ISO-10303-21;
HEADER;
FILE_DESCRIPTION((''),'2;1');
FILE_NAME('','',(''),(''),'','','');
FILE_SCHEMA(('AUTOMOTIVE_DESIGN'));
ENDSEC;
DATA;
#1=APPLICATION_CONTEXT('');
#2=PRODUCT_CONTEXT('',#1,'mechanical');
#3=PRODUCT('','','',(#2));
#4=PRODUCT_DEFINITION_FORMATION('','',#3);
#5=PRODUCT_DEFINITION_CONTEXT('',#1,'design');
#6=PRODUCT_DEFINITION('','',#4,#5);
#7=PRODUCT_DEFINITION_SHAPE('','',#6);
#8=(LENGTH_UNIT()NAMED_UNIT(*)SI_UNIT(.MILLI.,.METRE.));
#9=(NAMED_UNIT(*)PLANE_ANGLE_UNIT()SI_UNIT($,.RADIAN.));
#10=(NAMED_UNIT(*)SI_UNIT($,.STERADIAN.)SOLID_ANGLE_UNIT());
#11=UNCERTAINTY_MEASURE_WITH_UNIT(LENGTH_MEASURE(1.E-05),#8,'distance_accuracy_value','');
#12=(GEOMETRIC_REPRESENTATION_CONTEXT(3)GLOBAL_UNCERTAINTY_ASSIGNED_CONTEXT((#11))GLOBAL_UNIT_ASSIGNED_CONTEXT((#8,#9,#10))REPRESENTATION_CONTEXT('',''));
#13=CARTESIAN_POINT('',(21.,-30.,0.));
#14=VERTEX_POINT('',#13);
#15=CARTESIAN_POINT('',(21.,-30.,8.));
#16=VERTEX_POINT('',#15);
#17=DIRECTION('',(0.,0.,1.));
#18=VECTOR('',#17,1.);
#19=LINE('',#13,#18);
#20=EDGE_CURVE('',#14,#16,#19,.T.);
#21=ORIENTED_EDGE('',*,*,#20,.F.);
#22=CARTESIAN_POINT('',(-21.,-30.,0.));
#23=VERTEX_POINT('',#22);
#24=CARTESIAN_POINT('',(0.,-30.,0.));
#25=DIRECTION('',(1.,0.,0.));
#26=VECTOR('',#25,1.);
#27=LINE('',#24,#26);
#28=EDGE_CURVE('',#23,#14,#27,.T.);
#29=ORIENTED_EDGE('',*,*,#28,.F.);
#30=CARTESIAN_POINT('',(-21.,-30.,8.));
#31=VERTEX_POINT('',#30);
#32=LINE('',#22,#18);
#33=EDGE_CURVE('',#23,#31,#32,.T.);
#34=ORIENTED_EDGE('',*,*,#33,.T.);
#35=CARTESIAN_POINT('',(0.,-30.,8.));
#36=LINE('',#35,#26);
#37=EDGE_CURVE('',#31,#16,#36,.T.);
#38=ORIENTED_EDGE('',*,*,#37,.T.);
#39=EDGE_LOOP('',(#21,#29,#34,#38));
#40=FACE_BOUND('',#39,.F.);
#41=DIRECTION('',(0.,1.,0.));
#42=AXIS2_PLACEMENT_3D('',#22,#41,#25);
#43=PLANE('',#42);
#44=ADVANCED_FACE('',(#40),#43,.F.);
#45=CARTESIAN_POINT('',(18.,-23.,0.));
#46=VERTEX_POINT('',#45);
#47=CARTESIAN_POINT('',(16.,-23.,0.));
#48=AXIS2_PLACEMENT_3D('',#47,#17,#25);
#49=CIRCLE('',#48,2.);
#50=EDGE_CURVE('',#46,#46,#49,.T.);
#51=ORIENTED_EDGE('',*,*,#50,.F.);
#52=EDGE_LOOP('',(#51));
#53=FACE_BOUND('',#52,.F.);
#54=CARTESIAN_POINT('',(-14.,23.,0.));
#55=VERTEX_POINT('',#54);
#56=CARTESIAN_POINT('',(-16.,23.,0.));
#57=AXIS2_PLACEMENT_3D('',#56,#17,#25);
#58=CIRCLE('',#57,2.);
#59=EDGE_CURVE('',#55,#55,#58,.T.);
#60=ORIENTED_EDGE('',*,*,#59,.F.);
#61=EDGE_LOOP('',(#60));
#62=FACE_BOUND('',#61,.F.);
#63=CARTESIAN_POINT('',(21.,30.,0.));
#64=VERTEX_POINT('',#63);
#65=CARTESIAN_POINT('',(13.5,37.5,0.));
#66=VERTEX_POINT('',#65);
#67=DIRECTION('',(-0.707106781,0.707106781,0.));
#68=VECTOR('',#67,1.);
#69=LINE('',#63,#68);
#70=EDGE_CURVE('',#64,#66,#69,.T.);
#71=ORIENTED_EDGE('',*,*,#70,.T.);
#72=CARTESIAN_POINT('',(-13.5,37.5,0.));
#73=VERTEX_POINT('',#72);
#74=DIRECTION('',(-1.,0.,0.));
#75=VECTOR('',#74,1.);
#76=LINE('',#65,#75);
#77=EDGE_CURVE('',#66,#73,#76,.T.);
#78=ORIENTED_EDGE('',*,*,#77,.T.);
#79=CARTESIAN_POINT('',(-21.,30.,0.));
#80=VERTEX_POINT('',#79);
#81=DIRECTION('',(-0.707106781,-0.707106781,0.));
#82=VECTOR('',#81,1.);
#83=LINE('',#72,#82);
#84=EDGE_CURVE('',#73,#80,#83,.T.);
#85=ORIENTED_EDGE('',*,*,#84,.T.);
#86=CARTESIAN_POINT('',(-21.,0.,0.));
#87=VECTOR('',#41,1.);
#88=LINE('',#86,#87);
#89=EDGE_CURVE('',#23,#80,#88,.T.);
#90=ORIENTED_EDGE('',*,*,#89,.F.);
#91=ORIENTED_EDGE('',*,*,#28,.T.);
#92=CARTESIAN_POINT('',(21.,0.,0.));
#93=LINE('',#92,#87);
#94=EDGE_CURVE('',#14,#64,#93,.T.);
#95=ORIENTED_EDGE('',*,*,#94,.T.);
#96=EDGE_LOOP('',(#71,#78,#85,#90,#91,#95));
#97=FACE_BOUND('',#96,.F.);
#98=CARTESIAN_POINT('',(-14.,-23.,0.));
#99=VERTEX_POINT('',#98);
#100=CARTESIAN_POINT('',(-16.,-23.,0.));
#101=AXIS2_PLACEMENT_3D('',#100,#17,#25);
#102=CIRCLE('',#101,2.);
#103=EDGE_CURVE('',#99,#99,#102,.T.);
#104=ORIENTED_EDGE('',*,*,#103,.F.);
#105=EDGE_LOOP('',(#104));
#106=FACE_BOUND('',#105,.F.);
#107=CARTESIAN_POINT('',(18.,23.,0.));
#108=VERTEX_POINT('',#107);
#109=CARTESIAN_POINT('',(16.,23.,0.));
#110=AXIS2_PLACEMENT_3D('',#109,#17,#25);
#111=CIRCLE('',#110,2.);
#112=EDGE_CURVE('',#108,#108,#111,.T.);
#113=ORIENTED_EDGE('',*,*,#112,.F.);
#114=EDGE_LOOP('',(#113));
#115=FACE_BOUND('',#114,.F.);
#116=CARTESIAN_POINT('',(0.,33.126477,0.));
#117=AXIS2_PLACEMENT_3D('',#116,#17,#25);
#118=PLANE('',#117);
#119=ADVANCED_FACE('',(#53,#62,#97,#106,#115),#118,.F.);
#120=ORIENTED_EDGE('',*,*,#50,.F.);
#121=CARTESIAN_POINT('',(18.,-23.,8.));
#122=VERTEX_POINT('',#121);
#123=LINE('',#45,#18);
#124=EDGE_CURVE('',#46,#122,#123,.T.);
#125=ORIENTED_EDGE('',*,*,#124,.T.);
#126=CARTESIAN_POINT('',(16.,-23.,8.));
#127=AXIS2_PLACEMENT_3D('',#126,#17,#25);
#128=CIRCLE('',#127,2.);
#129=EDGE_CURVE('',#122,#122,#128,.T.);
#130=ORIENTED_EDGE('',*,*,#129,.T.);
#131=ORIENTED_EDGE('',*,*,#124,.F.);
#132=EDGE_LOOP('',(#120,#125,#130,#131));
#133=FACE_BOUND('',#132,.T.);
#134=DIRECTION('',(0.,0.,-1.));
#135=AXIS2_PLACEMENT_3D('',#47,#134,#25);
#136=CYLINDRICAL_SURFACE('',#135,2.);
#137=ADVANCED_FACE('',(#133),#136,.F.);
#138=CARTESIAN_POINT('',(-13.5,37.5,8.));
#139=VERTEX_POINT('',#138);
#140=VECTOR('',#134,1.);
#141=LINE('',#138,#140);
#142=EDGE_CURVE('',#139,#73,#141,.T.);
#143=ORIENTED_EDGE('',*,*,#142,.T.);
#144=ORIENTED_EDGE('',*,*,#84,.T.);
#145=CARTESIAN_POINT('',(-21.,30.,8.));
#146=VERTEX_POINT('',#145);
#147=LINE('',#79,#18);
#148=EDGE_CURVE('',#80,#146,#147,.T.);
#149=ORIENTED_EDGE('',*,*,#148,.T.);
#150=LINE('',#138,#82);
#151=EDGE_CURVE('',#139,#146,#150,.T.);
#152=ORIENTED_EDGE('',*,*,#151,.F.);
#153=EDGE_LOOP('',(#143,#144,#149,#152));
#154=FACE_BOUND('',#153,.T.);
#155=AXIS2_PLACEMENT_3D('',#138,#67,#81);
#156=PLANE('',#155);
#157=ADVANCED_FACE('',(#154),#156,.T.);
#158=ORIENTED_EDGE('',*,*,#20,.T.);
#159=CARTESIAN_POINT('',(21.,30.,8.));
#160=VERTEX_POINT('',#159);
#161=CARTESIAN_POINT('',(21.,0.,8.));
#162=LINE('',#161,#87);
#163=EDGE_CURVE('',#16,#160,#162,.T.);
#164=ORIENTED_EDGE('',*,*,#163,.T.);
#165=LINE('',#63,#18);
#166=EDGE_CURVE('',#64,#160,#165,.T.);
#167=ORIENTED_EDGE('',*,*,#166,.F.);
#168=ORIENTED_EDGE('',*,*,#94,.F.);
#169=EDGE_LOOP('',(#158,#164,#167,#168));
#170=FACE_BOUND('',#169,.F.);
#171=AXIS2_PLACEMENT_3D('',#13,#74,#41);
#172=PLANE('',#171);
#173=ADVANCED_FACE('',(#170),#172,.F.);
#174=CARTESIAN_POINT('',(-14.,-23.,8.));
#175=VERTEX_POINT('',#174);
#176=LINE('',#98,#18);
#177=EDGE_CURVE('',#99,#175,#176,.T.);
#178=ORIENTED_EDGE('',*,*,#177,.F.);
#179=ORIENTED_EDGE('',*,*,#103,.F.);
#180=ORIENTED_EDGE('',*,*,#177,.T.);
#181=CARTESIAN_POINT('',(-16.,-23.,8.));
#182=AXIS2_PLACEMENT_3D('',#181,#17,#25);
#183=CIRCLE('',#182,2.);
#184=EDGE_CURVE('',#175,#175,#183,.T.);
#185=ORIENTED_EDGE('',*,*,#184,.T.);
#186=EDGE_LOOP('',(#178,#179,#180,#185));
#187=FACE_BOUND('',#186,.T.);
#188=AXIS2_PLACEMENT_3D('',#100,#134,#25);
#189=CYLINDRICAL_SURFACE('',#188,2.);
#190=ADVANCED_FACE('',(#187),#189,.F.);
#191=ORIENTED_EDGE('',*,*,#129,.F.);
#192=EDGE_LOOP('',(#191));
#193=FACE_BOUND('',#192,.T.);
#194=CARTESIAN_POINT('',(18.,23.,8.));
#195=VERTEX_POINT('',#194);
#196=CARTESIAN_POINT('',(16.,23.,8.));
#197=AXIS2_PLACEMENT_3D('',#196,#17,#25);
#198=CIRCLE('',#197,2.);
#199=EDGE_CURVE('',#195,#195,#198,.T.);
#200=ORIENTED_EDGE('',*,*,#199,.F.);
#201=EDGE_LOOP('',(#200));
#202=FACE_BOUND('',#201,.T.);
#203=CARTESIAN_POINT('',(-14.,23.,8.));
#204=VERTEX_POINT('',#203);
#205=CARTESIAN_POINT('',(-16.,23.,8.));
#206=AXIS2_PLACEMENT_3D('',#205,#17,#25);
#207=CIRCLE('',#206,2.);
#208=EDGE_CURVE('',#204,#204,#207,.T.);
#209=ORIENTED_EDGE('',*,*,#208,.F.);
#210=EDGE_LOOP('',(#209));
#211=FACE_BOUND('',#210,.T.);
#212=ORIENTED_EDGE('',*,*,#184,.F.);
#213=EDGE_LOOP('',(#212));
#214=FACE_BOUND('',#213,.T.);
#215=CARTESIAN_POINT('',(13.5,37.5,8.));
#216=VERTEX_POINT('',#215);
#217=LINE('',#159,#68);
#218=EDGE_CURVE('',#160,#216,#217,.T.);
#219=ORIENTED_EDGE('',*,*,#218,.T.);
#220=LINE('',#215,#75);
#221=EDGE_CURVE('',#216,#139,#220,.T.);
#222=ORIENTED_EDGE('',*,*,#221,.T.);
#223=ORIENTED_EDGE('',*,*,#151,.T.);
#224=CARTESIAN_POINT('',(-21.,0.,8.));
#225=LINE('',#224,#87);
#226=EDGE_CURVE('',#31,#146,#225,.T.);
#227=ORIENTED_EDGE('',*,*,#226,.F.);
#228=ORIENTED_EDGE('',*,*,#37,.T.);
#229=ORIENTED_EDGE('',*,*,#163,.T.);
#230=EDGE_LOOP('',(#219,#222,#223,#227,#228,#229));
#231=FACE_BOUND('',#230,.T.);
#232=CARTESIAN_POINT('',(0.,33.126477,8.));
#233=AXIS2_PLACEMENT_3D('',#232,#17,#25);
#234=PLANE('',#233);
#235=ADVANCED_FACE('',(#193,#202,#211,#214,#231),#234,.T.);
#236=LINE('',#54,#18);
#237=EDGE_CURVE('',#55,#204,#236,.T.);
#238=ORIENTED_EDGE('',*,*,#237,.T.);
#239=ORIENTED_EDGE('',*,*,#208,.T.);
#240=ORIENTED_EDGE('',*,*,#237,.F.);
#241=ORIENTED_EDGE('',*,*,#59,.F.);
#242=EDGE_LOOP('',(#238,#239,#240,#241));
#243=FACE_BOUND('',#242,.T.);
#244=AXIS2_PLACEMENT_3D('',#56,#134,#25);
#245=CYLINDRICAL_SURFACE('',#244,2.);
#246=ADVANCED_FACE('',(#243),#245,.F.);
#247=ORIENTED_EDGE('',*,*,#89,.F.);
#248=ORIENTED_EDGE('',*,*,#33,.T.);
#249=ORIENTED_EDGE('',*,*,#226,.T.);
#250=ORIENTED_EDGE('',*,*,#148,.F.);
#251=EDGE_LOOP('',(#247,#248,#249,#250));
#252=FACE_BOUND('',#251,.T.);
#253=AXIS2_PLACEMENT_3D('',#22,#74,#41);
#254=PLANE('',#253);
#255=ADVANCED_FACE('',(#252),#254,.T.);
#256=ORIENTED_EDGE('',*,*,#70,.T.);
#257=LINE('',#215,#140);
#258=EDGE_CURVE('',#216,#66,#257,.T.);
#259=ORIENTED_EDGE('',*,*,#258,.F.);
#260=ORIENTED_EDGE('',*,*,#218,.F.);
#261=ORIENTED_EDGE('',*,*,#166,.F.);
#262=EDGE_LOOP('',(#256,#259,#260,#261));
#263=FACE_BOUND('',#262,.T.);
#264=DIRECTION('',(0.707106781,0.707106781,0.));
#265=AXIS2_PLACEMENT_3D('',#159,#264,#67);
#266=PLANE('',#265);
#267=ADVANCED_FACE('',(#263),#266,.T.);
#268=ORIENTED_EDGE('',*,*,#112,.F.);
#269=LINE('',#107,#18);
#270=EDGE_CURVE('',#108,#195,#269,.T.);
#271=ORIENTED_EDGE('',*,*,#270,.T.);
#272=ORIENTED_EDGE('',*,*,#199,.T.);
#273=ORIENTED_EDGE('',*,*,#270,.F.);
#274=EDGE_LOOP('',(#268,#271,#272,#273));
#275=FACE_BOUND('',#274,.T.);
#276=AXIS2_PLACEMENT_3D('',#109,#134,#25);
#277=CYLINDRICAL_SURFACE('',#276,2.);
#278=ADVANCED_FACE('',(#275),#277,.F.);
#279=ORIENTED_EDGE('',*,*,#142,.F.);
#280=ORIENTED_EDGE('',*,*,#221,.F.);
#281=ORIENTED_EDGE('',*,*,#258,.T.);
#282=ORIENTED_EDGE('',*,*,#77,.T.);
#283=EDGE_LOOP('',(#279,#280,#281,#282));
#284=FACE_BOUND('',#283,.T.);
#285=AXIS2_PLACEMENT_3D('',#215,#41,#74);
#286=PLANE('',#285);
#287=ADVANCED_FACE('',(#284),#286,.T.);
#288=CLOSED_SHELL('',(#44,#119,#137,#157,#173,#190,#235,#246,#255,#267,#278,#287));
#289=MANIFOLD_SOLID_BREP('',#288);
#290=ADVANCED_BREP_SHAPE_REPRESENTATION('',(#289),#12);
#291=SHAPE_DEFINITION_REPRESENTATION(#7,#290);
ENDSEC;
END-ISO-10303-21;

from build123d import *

# Parameters (mm, degrees)
F0_W     = 42
F0_H     = 60
F0_R     = 2
F1_DEPTH = 8
F3_DEPTH = 8


with BuildPart() as f1:
    # F0 (on Top) → F1 (new body)
    with BuildSketch(Plane.XY):
        Rectangle(F0_W, F0_H)
        with Locations((-16, -23)):
            Circle(F0_R, mode=Mode.SUBTRACT)
        with Locations((16, -23)):
            Circle(F0_R, mode=Mode.SUBTRACT)
        with Locations((-16, 23)):
            Circle(F0_R, mode=Mode.SUBTRACT)
        with Locations((16, 23)):
            Circle(F0_R, mode=Mode.SUBTRACT)
    extrude(amount=F1_DEPTH)

    # F2 (on face) → F3 (join)
    with BuildSketch(Plane.XY.offset(8)):
        Polygon((-13.5, 37.5), (-21, 30), (21, 30), (13.5, 37.5), align=None)
    extrude(amount=-F3_DEPTH)


solid = f1.part
